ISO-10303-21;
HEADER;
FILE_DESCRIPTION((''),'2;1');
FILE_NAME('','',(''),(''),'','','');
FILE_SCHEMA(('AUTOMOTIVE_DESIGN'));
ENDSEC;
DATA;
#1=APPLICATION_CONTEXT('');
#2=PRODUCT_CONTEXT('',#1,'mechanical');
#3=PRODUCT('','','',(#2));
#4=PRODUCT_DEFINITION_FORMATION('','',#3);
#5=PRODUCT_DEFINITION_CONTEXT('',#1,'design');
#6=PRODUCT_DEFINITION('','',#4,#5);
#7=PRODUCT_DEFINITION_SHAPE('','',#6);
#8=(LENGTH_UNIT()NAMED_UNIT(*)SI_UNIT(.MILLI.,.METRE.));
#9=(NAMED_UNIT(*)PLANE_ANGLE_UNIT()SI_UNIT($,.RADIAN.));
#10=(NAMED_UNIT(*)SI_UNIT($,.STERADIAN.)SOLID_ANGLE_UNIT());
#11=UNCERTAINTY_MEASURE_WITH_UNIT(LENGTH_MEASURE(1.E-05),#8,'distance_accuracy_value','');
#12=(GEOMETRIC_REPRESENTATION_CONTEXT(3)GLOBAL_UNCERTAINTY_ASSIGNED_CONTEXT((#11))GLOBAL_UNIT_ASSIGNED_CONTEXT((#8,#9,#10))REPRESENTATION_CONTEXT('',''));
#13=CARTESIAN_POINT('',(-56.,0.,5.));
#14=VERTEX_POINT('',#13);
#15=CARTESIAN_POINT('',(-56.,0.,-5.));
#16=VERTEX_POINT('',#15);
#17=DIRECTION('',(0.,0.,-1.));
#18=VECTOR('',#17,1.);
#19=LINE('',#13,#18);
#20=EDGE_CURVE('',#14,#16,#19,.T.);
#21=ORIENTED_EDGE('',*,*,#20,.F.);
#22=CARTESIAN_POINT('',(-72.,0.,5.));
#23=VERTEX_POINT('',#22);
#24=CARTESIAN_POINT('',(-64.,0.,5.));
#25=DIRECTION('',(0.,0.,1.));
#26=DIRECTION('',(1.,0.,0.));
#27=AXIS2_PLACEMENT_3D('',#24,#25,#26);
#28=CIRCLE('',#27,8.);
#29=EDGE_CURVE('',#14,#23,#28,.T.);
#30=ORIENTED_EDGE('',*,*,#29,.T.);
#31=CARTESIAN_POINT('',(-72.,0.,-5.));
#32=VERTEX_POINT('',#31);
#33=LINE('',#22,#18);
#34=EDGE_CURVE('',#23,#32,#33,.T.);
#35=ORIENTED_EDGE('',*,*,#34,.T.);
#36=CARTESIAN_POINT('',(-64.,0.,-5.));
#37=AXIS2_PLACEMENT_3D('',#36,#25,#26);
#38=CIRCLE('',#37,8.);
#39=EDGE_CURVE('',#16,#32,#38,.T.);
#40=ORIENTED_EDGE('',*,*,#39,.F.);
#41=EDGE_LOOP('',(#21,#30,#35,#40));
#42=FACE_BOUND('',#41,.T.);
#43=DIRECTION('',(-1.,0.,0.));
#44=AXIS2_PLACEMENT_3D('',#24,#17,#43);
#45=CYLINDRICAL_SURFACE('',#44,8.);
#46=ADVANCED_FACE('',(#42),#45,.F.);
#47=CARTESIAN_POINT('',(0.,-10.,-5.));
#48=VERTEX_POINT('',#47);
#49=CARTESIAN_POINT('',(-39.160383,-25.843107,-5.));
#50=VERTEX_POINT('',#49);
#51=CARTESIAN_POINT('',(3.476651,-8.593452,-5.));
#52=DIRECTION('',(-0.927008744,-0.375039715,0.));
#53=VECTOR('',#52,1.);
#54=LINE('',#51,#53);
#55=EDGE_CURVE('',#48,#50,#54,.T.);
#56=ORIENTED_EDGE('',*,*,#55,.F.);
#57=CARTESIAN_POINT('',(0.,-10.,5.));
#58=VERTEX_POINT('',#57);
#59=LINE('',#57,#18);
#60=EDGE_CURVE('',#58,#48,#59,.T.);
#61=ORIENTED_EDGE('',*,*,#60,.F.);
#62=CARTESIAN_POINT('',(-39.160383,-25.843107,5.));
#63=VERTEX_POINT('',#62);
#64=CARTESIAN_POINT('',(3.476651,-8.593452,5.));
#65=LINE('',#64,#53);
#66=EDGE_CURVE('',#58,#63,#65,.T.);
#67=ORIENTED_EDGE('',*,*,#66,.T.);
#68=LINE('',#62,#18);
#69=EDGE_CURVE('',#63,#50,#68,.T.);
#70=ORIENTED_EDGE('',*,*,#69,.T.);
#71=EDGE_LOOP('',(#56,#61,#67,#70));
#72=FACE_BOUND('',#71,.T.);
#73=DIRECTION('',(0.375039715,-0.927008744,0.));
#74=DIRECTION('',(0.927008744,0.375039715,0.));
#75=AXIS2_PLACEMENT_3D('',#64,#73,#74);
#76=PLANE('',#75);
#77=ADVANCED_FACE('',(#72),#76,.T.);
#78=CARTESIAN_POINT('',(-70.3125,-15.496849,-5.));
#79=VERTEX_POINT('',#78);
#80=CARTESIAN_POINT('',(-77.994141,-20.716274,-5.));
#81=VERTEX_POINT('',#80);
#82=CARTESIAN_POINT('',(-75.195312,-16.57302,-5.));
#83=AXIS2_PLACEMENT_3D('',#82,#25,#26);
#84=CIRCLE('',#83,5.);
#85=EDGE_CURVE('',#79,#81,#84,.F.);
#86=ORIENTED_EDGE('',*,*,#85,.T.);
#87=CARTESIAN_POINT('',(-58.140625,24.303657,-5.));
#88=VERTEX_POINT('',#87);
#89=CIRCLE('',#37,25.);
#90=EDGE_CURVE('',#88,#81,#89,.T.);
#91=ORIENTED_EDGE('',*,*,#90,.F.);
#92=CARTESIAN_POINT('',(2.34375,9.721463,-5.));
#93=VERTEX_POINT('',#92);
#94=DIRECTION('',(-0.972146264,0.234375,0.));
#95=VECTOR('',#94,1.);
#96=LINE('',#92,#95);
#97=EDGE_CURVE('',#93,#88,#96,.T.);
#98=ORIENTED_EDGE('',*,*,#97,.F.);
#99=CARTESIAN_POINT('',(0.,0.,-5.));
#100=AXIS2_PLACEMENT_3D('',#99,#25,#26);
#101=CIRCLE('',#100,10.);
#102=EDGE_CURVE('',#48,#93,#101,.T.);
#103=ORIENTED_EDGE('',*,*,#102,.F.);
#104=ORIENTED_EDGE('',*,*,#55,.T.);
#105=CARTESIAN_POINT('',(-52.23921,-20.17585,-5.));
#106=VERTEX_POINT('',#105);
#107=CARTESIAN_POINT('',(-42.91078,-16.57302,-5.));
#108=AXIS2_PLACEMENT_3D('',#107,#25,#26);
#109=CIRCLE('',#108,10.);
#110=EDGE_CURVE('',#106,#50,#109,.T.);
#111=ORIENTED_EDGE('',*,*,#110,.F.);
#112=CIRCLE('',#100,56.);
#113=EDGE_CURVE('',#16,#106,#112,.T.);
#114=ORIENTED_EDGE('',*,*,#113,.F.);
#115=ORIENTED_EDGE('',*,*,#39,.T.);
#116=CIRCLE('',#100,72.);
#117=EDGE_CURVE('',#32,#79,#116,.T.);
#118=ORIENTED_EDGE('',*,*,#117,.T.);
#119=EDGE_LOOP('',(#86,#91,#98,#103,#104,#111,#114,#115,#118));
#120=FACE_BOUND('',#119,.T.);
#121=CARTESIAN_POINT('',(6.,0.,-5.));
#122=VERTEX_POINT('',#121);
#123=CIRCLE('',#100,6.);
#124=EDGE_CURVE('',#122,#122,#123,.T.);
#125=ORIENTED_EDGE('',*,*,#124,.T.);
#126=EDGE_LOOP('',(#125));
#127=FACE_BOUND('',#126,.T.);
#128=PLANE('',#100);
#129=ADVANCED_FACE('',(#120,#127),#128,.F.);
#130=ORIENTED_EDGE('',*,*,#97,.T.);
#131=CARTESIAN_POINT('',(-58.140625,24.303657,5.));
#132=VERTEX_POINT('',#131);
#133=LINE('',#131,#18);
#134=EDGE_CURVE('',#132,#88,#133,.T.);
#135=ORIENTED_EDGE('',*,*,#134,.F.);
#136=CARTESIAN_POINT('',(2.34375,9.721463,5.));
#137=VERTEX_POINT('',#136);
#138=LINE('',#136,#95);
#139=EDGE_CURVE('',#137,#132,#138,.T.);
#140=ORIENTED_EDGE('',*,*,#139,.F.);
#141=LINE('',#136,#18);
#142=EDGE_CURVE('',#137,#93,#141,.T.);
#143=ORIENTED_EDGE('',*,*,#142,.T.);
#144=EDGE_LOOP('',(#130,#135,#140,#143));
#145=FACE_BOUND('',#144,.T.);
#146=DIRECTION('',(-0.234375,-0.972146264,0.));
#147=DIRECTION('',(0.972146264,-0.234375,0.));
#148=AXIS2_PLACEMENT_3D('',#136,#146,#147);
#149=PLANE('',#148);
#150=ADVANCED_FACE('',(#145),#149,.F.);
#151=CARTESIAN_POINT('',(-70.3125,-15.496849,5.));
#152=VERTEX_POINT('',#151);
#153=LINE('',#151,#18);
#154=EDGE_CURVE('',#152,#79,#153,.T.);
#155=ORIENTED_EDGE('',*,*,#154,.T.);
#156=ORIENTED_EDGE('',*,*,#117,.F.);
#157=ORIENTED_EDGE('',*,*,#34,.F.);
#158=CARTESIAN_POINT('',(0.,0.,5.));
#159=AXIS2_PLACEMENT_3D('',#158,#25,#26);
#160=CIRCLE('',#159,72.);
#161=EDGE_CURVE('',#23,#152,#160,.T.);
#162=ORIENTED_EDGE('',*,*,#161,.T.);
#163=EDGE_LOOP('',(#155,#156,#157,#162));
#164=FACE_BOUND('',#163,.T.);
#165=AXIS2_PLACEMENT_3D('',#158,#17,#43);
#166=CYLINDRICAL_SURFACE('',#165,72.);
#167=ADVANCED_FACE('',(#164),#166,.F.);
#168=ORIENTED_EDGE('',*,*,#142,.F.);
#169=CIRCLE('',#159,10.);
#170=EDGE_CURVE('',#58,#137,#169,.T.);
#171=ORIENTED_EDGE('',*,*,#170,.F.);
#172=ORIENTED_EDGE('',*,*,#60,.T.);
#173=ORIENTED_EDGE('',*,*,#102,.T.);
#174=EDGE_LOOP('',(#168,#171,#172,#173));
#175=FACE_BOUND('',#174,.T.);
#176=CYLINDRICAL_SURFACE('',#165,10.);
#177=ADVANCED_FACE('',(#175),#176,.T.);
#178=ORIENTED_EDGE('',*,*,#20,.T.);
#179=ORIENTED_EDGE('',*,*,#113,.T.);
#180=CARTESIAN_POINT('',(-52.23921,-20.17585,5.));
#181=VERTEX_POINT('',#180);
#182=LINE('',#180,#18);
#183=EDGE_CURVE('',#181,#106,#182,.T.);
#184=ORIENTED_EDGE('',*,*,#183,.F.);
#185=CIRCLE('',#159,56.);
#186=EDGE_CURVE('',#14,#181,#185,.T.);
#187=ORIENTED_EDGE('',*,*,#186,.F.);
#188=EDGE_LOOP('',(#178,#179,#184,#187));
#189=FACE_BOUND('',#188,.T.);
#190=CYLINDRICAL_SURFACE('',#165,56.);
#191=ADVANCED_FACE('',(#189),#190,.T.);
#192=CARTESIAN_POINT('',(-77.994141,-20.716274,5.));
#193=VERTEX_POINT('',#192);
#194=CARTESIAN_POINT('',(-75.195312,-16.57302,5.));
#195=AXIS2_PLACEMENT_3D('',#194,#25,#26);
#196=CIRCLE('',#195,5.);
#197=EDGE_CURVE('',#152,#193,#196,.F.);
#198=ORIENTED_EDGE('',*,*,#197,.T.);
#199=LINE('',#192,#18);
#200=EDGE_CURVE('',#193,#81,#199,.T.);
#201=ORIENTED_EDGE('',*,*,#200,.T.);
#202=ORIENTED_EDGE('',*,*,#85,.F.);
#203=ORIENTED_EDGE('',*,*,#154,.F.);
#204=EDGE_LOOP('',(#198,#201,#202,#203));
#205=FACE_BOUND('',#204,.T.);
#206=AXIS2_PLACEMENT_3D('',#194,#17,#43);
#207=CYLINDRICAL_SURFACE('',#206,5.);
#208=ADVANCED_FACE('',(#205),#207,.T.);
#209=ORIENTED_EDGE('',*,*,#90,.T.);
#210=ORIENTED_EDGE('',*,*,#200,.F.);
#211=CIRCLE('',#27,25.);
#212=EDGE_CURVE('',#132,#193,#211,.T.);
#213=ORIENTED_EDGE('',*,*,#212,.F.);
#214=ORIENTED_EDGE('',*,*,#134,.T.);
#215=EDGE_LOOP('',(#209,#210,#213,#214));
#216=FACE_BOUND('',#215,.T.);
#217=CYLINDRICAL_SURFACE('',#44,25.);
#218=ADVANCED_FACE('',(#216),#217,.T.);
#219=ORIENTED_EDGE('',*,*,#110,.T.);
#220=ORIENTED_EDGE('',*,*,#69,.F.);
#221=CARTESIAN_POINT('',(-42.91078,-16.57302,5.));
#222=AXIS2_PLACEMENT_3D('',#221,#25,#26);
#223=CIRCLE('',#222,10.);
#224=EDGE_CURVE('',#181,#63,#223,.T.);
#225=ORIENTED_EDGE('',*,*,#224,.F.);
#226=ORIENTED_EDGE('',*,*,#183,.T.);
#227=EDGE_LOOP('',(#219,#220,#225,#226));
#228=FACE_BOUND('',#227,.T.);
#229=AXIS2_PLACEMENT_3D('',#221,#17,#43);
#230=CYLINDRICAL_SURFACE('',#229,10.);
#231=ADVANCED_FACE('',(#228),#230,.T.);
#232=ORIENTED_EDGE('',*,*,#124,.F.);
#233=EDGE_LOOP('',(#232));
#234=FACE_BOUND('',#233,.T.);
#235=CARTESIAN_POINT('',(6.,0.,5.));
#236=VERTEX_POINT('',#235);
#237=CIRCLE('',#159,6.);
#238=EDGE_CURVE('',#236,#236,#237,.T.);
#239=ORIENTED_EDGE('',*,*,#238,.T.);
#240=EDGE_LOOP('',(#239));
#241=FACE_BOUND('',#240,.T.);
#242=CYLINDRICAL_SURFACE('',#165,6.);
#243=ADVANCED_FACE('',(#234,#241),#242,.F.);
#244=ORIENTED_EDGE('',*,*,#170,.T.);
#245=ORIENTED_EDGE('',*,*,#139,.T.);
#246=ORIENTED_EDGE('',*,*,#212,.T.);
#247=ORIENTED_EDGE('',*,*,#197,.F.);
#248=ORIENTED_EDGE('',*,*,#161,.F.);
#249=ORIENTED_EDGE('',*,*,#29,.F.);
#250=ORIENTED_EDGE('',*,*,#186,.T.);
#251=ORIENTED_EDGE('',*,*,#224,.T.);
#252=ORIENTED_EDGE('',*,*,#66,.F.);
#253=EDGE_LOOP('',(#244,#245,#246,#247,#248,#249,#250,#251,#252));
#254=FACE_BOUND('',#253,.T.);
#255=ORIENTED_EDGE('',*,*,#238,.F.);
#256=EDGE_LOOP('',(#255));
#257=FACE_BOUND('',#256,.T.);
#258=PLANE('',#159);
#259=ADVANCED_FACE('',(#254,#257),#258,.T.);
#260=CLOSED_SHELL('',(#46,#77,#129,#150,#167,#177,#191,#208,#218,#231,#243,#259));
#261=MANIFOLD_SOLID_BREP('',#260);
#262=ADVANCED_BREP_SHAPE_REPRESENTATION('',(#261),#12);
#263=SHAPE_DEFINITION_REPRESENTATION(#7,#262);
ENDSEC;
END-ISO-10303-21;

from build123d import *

# Parameters (mm, degrees)
SKETCH1_R           = 6
BOSS_EXTRUDE1_DEPTH = 5


with BuildPart() as part:
    # Sketch1 → Boss-Extrude1 (new, symmetric)
    with BuildSketch(Plane.XY):
        with BuildLine():
            ThreePointArc((0, -10), (9.930121511, -1.180121511), (2.34375, 9.721462644))
            Line((2.34375, 9.721462644), (-58.140625, 24.30365661))
            ThreePointArc((-58.140625, 24.30365661), (-86.874486916, 10.08750952), (-77.994140625, -20.716274476))
            ThreePointArc((-77.994140625, -20.716274476), (-72.385268542, -20.708675871), (-70.3125, -15.496849478))
            ThreePointArc((-70.3125, -15.496849478), (-71.576881743, -7.794228634), (-72, 0))
            ThreePointArc((-72, 0), (-64, 8), (-56, 0))
            ThreePointArc((-56, 0), (-55.051774585, -10.261681883), (-52.239210176, -20.175849925))
            ThreePointArc((-52.239210176, -20.175849925), (-46.886715458, -25.748635939), (-39.160382636, -25.843107024))
            Line((-39.160382636, -25.843107024), (0, -10))
        make_face()
        Circle(SKETCH1_R, mode=Mode.SUBTRACT)
    extrude(amount=BOSS_EXTRUDE1_DEPTH, both=True)


solid = part.part
